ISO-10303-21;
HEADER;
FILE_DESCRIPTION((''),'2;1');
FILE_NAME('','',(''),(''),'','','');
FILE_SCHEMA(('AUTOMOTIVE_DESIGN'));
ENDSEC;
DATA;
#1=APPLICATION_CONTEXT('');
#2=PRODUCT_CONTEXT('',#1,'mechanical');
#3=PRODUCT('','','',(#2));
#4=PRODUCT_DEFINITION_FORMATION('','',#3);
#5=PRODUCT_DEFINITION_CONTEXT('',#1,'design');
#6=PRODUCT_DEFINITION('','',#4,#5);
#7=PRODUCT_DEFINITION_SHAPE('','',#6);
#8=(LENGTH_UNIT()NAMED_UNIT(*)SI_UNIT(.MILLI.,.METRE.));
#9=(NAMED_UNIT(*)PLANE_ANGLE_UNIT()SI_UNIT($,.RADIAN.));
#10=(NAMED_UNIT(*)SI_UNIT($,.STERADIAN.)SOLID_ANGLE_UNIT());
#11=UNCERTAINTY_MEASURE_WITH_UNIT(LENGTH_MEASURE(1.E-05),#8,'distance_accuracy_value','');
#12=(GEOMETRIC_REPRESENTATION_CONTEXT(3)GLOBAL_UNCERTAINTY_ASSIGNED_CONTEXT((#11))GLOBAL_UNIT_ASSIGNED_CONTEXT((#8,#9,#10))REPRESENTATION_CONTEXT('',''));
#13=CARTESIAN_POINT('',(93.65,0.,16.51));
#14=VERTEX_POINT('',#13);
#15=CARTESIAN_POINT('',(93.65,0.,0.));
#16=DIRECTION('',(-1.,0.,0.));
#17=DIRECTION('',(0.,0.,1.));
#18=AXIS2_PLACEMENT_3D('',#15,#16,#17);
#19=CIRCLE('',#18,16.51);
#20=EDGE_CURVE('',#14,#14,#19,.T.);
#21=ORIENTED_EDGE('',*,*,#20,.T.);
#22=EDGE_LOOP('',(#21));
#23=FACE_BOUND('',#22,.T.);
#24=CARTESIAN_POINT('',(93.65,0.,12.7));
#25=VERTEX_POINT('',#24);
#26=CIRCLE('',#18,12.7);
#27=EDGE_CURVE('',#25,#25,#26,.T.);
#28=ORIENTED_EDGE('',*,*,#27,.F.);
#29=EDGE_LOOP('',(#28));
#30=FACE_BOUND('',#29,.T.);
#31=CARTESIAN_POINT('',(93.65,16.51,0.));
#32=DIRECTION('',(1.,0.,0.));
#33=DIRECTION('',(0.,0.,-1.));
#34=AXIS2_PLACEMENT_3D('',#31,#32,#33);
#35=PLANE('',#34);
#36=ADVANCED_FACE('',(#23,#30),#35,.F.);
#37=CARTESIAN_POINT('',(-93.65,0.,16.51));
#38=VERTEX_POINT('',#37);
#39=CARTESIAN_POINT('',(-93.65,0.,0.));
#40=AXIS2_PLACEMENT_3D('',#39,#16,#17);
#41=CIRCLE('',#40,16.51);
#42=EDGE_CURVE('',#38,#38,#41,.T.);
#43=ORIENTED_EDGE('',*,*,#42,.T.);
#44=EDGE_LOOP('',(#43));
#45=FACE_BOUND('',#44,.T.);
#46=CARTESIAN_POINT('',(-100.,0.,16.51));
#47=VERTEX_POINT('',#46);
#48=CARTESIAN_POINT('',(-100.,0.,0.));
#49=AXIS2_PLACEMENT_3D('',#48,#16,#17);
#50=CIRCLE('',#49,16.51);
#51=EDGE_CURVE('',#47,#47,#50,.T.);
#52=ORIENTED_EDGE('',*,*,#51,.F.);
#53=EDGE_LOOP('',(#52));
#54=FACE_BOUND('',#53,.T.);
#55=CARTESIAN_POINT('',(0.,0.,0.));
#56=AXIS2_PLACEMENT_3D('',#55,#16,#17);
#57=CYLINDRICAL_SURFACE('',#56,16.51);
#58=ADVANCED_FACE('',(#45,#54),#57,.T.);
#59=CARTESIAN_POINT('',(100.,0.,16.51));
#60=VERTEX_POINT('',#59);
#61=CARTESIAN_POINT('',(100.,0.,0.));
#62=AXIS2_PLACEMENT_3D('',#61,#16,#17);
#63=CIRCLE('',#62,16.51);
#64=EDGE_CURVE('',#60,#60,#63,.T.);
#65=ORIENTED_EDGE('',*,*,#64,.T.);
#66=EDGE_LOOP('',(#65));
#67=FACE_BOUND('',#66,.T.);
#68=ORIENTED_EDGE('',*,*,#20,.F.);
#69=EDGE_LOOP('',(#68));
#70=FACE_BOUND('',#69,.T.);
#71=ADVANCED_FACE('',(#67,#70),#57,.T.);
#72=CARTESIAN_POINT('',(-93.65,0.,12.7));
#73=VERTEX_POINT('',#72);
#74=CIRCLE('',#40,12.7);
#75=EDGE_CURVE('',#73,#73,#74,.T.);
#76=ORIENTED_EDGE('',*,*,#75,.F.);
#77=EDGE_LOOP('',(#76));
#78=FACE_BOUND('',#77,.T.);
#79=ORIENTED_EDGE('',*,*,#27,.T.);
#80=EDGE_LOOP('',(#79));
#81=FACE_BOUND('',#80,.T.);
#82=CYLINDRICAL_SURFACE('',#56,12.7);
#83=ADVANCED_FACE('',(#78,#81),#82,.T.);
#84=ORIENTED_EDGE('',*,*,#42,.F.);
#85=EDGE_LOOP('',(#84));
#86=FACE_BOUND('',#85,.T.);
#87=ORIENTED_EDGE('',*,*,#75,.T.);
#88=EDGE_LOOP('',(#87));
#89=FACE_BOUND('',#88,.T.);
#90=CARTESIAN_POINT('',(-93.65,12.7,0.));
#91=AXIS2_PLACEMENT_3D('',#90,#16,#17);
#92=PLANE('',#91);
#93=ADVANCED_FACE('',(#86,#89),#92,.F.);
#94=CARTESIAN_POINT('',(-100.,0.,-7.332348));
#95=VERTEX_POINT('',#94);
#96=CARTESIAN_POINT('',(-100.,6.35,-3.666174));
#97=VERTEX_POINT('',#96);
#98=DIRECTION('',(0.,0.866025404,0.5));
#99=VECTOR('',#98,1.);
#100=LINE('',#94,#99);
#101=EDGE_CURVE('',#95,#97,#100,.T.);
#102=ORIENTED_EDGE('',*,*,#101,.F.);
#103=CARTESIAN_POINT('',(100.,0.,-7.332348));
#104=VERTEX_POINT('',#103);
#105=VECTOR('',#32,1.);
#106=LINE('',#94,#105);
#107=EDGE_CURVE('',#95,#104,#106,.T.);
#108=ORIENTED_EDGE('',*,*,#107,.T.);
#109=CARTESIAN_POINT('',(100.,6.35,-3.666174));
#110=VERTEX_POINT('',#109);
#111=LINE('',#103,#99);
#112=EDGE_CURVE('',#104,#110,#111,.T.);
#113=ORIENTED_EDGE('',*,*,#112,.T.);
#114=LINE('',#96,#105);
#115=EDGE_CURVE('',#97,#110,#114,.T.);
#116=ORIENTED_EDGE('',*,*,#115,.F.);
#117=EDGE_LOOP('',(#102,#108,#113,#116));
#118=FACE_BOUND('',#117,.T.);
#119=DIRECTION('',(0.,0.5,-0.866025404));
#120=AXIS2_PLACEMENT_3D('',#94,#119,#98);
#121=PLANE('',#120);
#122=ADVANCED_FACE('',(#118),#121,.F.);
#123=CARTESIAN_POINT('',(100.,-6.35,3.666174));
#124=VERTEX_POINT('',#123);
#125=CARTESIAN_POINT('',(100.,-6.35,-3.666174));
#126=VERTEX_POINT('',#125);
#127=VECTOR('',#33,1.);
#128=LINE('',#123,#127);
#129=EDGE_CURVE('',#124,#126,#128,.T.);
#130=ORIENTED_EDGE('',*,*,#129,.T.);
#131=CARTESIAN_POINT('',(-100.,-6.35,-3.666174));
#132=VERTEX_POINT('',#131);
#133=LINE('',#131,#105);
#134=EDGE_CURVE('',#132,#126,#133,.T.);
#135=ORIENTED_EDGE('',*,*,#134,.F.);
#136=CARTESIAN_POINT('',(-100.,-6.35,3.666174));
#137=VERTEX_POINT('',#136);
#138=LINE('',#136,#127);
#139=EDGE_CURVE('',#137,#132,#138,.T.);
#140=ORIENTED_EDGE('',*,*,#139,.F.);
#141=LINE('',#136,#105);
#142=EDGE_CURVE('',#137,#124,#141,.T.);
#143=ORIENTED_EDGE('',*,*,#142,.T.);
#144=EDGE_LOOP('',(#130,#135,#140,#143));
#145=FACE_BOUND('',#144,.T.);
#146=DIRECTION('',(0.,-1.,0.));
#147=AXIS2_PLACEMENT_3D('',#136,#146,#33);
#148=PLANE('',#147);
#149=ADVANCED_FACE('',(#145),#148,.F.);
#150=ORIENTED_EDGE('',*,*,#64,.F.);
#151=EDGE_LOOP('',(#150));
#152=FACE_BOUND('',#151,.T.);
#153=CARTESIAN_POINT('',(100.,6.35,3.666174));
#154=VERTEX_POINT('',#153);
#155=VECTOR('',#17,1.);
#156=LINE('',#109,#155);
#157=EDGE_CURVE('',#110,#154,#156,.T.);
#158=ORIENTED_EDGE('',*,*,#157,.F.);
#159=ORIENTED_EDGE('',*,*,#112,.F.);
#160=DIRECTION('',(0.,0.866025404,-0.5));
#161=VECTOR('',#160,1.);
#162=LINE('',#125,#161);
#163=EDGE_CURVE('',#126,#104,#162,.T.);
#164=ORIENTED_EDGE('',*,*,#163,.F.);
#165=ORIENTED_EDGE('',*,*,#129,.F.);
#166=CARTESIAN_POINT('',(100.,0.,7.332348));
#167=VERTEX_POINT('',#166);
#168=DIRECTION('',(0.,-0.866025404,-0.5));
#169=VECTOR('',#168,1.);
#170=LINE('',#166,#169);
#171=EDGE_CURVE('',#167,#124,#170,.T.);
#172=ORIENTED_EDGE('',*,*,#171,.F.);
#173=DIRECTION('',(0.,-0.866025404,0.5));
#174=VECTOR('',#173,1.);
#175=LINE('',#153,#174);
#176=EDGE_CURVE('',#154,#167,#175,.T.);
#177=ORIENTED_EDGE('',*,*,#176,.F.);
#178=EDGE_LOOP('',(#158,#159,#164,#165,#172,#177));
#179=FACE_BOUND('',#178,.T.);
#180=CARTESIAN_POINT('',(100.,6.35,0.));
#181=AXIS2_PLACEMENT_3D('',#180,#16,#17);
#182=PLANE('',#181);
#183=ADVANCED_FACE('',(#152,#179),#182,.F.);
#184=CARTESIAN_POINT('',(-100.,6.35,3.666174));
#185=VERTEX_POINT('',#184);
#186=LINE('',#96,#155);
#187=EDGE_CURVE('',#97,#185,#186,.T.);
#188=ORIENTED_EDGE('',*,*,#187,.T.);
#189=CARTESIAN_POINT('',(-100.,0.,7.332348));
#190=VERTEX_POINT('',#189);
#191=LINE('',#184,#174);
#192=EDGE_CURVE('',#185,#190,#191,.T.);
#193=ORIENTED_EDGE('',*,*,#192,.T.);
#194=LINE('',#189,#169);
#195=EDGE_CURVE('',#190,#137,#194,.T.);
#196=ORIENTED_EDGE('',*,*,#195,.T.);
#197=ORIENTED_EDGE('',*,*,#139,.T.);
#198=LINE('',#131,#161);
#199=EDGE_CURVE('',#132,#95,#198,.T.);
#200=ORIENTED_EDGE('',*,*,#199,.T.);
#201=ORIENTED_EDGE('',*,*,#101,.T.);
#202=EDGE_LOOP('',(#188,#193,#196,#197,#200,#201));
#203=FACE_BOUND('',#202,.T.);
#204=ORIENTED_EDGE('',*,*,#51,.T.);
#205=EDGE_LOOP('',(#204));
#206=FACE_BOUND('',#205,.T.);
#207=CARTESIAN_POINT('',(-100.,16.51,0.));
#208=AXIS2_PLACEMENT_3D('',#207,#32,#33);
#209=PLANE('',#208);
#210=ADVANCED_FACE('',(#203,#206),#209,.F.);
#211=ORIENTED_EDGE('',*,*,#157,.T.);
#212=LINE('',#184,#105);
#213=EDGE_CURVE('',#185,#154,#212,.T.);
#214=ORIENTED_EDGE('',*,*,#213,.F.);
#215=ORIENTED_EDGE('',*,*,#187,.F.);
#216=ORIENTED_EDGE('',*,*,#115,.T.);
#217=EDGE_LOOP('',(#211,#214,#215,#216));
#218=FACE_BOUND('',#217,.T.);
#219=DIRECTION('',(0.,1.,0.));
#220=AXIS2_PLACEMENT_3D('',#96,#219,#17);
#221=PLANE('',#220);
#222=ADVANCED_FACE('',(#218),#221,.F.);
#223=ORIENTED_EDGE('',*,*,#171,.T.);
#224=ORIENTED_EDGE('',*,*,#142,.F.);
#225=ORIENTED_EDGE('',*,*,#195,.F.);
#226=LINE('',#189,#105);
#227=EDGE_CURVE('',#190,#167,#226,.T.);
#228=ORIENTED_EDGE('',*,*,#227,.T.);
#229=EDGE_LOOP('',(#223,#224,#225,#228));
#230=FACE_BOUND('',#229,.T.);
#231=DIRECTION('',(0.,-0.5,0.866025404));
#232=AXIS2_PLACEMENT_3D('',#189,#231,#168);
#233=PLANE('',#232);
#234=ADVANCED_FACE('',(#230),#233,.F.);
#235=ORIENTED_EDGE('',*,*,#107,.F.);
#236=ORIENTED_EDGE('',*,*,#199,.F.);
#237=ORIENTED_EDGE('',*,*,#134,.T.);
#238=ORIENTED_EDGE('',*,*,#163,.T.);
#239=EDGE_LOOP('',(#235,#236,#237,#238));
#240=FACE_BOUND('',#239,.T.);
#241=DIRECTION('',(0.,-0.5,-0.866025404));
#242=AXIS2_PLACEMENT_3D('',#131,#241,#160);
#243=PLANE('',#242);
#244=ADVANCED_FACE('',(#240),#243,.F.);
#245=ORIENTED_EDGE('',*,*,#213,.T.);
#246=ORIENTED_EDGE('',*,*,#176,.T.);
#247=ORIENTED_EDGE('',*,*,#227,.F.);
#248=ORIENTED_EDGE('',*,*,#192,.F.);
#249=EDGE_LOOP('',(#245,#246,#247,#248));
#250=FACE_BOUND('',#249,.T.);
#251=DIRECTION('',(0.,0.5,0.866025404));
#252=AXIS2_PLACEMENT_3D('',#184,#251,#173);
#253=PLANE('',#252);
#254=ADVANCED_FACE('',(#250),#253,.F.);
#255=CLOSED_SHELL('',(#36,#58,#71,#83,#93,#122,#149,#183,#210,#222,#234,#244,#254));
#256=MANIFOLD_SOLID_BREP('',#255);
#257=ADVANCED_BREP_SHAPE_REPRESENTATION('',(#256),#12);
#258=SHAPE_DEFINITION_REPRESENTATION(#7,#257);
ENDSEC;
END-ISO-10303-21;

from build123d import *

# Parameters (mm, degrees)
CUT_EXTRUDE1_DEPTH = 201


with BuildPart() as part:
    # Sketch1 → Revolve1 (revolve)
    with BuildSketch(Plane.XY):
        Polygon((-100, 6.35), (100, 6.35), (100, 16.51), (93.65, 16.51), (93.65, 12.7), (-93.65, 12.7), (-93.65, 16.51), (-100, 16.51), align=None)
    revolve(axis=Axis((0, 0, 0), (1, 0, 0)))

    # Sketch2 → Cut-Extrude1 (cut, through all)
    with BuildSketch(Plane(origin=(100, 0, 0), x_dir=(0, 0, -1), z_dir=(1, 0, 0))):
        Polygon((3.666174209, 6.35), (-3.666174209, 6.35), (-7.332348419, 0), (-3.666174209, -6.35), (3.666174209, -6.35), (7.332348419, 0), align=None)
    extrude(amount=-CUT_EXTRUDE1_DEPTH, mode=Mode.SUBTRACT)


solid = part.part
